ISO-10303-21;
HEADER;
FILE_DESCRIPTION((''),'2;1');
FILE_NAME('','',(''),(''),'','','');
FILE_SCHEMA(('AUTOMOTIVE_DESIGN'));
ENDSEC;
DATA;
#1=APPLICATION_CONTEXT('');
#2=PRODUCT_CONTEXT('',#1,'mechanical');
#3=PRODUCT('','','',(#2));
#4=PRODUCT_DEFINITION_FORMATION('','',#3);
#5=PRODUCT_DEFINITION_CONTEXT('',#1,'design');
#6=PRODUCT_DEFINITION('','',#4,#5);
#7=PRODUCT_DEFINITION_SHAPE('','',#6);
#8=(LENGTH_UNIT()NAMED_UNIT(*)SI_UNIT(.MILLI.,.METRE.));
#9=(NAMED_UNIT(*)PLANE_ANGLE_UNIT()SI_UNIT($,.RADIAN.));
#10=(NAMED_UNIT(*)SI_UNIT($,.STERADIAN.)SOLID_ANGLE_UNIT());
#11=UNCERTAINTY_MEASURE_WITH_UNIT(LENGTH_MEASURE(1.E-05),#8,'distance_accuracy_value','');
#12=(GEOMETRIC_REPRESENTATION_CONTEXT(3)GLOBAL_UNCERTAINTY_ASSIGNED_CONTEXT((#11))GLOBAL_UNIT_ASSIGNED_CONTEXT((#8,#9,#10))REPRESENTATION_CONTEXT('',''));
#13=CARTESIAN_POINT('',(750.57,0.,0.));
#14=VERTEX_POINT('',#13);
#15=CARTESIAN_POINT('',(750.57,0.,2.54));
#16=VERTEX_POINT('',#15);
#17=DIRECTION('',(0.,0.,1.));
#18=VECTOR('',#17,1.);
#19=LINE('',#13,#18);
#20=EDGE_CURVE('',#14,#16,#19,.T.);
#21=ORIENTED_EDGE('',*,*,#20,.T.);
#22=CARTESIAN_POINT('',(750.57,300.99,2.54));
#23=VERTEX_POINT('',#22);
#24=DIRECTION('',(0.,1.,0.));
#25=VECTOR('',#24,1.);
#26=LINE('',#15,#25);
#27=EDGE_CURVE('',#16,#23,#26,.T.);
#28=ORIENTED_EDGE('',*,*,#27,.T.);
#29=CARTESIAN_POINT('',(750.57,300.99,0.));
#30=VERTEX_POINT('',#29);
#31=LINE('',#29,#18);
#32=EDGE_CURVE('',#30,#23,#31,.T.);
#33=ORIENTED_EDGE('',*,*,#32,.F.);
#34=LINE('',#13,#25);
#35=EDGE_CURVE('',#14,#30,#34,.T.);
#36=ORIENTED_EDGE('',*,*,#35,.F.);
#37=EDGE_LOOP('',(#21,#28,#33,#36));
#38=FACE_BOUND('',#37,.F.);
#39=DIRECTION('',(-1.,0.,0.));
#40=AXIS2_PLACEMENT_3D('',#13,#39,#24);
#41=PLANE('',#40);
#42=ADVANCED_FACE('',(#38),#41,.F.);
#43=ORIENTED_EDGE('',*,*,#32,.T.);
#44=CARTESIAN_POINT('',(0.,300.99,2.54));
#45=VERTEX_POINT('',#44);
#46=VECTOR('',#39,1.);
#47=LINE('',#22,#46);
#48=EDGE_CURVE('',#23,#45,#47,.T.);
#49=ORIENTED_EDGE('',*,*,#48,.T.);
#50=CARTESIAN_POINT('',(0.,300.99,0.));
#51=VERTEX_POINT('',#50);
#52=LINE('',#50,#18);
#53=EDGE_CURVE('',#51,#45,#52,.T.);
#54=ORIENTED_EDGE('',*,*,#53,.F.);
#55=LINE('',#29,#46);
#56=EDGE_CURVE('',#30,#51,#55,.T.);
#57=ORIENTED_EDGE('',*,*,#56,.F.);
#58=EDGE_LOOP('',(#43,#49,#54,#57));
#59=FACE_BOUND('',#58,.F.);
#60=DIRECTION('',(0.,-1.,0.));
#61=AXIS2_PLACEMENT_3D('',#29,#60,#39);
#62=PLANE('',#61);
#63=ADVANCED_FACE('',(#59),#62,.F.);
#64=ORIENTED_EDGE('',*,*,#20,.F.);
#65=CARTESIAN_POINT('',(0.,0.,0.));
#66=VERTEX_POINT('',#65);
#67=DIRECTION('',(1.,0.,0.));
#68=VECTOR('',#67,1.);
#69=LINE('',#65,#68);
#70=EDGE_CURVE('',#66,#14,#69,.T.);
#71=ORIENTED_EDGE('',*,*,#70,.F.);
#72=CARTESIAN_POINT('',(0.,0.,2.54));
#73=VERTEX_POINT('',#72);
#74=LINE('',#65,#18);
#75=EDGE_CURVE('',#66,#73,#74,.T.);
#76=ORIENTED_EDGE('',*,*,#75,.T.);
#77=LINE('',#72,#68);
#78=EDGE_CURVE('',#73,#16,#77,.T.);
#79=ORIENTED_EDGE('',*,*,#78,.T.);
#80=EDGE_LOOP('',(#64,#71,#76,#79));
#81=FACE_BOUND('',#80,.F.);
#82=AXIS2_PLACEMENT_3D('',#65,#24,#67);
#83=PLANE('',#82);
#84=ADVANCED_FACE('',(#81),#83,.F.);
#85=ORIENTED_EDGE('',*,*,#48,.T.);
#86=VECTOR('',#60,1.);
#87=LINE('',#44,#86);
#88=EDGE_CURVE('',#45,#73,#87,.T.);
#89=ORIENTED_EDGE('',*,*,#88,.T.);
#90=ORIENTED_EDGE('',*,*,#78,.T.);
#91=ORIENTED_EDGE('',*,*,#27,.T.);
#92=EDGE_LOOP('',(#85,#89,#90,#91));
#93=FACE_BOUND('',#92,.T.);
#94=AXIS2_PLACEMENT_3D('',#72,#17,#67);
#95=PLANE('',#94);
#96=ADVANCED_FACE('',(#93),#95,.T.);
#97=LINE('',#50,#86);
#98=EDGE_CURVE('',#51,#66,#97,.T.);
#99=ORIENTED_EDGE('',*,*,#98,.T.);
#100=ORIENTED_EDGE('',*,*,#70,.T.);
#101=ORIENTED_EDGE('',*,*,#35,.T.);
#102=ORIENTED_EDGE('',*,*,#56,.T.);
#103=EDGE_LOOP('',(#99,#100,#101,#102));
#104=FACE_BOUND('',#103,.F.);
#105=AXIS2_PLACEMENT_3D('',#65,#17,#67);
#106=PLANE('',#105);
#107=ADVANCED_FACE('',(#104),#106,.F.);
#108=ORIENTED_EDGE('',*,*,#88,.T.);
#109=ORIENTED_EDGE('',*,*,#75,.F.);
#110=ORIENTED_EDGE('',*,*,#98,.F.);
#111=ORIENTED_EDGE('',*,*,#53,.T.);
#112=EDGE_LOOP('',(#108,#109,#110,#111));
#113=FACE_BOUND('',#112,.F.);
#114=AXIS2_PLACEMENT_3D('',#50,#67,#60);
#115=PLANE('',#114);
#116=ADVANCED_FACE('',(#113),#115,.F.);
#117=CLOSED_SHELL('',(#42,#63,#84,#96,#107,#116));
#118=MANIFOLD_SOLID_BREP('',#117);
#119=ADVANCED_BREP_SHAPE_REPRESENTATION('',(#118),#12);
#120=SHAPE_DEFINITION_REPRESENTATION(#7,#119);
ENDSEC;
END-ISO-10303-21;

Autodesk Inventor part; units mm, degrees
ref_plane "YZ Plane" through (0, 0, 0) normal (1, 0, 0) x (0, 1, 0)
ref_plane "XZ Plane" through (0, 0, 0) normal (0, 1, 0) x (-1, 0, 0)
ref_plane "XY Plane" through (0, 0, 0) normal (0, 0, 1) x (1, 0, 0)
sketch "Sketch1" plane through (0, 0, 0) normal (0, 0, 1) x (1, 0, 0)
  line L0 (0, 0) -> (750.57, 0)
  line L1 (750.57, 0) -> (750.57, 300.99)
  line L2 (750.57, 300.99) -> (0, 300.99)
  line L3 (0, 300.99) -> (0, 0)
  dimension "d0" = 750.57
  dimension "d1" = 300.99
extrude "Extrusion1" add sketch "Sketch1" along normal blind 2.54
properties part number "Plexi Glass"
